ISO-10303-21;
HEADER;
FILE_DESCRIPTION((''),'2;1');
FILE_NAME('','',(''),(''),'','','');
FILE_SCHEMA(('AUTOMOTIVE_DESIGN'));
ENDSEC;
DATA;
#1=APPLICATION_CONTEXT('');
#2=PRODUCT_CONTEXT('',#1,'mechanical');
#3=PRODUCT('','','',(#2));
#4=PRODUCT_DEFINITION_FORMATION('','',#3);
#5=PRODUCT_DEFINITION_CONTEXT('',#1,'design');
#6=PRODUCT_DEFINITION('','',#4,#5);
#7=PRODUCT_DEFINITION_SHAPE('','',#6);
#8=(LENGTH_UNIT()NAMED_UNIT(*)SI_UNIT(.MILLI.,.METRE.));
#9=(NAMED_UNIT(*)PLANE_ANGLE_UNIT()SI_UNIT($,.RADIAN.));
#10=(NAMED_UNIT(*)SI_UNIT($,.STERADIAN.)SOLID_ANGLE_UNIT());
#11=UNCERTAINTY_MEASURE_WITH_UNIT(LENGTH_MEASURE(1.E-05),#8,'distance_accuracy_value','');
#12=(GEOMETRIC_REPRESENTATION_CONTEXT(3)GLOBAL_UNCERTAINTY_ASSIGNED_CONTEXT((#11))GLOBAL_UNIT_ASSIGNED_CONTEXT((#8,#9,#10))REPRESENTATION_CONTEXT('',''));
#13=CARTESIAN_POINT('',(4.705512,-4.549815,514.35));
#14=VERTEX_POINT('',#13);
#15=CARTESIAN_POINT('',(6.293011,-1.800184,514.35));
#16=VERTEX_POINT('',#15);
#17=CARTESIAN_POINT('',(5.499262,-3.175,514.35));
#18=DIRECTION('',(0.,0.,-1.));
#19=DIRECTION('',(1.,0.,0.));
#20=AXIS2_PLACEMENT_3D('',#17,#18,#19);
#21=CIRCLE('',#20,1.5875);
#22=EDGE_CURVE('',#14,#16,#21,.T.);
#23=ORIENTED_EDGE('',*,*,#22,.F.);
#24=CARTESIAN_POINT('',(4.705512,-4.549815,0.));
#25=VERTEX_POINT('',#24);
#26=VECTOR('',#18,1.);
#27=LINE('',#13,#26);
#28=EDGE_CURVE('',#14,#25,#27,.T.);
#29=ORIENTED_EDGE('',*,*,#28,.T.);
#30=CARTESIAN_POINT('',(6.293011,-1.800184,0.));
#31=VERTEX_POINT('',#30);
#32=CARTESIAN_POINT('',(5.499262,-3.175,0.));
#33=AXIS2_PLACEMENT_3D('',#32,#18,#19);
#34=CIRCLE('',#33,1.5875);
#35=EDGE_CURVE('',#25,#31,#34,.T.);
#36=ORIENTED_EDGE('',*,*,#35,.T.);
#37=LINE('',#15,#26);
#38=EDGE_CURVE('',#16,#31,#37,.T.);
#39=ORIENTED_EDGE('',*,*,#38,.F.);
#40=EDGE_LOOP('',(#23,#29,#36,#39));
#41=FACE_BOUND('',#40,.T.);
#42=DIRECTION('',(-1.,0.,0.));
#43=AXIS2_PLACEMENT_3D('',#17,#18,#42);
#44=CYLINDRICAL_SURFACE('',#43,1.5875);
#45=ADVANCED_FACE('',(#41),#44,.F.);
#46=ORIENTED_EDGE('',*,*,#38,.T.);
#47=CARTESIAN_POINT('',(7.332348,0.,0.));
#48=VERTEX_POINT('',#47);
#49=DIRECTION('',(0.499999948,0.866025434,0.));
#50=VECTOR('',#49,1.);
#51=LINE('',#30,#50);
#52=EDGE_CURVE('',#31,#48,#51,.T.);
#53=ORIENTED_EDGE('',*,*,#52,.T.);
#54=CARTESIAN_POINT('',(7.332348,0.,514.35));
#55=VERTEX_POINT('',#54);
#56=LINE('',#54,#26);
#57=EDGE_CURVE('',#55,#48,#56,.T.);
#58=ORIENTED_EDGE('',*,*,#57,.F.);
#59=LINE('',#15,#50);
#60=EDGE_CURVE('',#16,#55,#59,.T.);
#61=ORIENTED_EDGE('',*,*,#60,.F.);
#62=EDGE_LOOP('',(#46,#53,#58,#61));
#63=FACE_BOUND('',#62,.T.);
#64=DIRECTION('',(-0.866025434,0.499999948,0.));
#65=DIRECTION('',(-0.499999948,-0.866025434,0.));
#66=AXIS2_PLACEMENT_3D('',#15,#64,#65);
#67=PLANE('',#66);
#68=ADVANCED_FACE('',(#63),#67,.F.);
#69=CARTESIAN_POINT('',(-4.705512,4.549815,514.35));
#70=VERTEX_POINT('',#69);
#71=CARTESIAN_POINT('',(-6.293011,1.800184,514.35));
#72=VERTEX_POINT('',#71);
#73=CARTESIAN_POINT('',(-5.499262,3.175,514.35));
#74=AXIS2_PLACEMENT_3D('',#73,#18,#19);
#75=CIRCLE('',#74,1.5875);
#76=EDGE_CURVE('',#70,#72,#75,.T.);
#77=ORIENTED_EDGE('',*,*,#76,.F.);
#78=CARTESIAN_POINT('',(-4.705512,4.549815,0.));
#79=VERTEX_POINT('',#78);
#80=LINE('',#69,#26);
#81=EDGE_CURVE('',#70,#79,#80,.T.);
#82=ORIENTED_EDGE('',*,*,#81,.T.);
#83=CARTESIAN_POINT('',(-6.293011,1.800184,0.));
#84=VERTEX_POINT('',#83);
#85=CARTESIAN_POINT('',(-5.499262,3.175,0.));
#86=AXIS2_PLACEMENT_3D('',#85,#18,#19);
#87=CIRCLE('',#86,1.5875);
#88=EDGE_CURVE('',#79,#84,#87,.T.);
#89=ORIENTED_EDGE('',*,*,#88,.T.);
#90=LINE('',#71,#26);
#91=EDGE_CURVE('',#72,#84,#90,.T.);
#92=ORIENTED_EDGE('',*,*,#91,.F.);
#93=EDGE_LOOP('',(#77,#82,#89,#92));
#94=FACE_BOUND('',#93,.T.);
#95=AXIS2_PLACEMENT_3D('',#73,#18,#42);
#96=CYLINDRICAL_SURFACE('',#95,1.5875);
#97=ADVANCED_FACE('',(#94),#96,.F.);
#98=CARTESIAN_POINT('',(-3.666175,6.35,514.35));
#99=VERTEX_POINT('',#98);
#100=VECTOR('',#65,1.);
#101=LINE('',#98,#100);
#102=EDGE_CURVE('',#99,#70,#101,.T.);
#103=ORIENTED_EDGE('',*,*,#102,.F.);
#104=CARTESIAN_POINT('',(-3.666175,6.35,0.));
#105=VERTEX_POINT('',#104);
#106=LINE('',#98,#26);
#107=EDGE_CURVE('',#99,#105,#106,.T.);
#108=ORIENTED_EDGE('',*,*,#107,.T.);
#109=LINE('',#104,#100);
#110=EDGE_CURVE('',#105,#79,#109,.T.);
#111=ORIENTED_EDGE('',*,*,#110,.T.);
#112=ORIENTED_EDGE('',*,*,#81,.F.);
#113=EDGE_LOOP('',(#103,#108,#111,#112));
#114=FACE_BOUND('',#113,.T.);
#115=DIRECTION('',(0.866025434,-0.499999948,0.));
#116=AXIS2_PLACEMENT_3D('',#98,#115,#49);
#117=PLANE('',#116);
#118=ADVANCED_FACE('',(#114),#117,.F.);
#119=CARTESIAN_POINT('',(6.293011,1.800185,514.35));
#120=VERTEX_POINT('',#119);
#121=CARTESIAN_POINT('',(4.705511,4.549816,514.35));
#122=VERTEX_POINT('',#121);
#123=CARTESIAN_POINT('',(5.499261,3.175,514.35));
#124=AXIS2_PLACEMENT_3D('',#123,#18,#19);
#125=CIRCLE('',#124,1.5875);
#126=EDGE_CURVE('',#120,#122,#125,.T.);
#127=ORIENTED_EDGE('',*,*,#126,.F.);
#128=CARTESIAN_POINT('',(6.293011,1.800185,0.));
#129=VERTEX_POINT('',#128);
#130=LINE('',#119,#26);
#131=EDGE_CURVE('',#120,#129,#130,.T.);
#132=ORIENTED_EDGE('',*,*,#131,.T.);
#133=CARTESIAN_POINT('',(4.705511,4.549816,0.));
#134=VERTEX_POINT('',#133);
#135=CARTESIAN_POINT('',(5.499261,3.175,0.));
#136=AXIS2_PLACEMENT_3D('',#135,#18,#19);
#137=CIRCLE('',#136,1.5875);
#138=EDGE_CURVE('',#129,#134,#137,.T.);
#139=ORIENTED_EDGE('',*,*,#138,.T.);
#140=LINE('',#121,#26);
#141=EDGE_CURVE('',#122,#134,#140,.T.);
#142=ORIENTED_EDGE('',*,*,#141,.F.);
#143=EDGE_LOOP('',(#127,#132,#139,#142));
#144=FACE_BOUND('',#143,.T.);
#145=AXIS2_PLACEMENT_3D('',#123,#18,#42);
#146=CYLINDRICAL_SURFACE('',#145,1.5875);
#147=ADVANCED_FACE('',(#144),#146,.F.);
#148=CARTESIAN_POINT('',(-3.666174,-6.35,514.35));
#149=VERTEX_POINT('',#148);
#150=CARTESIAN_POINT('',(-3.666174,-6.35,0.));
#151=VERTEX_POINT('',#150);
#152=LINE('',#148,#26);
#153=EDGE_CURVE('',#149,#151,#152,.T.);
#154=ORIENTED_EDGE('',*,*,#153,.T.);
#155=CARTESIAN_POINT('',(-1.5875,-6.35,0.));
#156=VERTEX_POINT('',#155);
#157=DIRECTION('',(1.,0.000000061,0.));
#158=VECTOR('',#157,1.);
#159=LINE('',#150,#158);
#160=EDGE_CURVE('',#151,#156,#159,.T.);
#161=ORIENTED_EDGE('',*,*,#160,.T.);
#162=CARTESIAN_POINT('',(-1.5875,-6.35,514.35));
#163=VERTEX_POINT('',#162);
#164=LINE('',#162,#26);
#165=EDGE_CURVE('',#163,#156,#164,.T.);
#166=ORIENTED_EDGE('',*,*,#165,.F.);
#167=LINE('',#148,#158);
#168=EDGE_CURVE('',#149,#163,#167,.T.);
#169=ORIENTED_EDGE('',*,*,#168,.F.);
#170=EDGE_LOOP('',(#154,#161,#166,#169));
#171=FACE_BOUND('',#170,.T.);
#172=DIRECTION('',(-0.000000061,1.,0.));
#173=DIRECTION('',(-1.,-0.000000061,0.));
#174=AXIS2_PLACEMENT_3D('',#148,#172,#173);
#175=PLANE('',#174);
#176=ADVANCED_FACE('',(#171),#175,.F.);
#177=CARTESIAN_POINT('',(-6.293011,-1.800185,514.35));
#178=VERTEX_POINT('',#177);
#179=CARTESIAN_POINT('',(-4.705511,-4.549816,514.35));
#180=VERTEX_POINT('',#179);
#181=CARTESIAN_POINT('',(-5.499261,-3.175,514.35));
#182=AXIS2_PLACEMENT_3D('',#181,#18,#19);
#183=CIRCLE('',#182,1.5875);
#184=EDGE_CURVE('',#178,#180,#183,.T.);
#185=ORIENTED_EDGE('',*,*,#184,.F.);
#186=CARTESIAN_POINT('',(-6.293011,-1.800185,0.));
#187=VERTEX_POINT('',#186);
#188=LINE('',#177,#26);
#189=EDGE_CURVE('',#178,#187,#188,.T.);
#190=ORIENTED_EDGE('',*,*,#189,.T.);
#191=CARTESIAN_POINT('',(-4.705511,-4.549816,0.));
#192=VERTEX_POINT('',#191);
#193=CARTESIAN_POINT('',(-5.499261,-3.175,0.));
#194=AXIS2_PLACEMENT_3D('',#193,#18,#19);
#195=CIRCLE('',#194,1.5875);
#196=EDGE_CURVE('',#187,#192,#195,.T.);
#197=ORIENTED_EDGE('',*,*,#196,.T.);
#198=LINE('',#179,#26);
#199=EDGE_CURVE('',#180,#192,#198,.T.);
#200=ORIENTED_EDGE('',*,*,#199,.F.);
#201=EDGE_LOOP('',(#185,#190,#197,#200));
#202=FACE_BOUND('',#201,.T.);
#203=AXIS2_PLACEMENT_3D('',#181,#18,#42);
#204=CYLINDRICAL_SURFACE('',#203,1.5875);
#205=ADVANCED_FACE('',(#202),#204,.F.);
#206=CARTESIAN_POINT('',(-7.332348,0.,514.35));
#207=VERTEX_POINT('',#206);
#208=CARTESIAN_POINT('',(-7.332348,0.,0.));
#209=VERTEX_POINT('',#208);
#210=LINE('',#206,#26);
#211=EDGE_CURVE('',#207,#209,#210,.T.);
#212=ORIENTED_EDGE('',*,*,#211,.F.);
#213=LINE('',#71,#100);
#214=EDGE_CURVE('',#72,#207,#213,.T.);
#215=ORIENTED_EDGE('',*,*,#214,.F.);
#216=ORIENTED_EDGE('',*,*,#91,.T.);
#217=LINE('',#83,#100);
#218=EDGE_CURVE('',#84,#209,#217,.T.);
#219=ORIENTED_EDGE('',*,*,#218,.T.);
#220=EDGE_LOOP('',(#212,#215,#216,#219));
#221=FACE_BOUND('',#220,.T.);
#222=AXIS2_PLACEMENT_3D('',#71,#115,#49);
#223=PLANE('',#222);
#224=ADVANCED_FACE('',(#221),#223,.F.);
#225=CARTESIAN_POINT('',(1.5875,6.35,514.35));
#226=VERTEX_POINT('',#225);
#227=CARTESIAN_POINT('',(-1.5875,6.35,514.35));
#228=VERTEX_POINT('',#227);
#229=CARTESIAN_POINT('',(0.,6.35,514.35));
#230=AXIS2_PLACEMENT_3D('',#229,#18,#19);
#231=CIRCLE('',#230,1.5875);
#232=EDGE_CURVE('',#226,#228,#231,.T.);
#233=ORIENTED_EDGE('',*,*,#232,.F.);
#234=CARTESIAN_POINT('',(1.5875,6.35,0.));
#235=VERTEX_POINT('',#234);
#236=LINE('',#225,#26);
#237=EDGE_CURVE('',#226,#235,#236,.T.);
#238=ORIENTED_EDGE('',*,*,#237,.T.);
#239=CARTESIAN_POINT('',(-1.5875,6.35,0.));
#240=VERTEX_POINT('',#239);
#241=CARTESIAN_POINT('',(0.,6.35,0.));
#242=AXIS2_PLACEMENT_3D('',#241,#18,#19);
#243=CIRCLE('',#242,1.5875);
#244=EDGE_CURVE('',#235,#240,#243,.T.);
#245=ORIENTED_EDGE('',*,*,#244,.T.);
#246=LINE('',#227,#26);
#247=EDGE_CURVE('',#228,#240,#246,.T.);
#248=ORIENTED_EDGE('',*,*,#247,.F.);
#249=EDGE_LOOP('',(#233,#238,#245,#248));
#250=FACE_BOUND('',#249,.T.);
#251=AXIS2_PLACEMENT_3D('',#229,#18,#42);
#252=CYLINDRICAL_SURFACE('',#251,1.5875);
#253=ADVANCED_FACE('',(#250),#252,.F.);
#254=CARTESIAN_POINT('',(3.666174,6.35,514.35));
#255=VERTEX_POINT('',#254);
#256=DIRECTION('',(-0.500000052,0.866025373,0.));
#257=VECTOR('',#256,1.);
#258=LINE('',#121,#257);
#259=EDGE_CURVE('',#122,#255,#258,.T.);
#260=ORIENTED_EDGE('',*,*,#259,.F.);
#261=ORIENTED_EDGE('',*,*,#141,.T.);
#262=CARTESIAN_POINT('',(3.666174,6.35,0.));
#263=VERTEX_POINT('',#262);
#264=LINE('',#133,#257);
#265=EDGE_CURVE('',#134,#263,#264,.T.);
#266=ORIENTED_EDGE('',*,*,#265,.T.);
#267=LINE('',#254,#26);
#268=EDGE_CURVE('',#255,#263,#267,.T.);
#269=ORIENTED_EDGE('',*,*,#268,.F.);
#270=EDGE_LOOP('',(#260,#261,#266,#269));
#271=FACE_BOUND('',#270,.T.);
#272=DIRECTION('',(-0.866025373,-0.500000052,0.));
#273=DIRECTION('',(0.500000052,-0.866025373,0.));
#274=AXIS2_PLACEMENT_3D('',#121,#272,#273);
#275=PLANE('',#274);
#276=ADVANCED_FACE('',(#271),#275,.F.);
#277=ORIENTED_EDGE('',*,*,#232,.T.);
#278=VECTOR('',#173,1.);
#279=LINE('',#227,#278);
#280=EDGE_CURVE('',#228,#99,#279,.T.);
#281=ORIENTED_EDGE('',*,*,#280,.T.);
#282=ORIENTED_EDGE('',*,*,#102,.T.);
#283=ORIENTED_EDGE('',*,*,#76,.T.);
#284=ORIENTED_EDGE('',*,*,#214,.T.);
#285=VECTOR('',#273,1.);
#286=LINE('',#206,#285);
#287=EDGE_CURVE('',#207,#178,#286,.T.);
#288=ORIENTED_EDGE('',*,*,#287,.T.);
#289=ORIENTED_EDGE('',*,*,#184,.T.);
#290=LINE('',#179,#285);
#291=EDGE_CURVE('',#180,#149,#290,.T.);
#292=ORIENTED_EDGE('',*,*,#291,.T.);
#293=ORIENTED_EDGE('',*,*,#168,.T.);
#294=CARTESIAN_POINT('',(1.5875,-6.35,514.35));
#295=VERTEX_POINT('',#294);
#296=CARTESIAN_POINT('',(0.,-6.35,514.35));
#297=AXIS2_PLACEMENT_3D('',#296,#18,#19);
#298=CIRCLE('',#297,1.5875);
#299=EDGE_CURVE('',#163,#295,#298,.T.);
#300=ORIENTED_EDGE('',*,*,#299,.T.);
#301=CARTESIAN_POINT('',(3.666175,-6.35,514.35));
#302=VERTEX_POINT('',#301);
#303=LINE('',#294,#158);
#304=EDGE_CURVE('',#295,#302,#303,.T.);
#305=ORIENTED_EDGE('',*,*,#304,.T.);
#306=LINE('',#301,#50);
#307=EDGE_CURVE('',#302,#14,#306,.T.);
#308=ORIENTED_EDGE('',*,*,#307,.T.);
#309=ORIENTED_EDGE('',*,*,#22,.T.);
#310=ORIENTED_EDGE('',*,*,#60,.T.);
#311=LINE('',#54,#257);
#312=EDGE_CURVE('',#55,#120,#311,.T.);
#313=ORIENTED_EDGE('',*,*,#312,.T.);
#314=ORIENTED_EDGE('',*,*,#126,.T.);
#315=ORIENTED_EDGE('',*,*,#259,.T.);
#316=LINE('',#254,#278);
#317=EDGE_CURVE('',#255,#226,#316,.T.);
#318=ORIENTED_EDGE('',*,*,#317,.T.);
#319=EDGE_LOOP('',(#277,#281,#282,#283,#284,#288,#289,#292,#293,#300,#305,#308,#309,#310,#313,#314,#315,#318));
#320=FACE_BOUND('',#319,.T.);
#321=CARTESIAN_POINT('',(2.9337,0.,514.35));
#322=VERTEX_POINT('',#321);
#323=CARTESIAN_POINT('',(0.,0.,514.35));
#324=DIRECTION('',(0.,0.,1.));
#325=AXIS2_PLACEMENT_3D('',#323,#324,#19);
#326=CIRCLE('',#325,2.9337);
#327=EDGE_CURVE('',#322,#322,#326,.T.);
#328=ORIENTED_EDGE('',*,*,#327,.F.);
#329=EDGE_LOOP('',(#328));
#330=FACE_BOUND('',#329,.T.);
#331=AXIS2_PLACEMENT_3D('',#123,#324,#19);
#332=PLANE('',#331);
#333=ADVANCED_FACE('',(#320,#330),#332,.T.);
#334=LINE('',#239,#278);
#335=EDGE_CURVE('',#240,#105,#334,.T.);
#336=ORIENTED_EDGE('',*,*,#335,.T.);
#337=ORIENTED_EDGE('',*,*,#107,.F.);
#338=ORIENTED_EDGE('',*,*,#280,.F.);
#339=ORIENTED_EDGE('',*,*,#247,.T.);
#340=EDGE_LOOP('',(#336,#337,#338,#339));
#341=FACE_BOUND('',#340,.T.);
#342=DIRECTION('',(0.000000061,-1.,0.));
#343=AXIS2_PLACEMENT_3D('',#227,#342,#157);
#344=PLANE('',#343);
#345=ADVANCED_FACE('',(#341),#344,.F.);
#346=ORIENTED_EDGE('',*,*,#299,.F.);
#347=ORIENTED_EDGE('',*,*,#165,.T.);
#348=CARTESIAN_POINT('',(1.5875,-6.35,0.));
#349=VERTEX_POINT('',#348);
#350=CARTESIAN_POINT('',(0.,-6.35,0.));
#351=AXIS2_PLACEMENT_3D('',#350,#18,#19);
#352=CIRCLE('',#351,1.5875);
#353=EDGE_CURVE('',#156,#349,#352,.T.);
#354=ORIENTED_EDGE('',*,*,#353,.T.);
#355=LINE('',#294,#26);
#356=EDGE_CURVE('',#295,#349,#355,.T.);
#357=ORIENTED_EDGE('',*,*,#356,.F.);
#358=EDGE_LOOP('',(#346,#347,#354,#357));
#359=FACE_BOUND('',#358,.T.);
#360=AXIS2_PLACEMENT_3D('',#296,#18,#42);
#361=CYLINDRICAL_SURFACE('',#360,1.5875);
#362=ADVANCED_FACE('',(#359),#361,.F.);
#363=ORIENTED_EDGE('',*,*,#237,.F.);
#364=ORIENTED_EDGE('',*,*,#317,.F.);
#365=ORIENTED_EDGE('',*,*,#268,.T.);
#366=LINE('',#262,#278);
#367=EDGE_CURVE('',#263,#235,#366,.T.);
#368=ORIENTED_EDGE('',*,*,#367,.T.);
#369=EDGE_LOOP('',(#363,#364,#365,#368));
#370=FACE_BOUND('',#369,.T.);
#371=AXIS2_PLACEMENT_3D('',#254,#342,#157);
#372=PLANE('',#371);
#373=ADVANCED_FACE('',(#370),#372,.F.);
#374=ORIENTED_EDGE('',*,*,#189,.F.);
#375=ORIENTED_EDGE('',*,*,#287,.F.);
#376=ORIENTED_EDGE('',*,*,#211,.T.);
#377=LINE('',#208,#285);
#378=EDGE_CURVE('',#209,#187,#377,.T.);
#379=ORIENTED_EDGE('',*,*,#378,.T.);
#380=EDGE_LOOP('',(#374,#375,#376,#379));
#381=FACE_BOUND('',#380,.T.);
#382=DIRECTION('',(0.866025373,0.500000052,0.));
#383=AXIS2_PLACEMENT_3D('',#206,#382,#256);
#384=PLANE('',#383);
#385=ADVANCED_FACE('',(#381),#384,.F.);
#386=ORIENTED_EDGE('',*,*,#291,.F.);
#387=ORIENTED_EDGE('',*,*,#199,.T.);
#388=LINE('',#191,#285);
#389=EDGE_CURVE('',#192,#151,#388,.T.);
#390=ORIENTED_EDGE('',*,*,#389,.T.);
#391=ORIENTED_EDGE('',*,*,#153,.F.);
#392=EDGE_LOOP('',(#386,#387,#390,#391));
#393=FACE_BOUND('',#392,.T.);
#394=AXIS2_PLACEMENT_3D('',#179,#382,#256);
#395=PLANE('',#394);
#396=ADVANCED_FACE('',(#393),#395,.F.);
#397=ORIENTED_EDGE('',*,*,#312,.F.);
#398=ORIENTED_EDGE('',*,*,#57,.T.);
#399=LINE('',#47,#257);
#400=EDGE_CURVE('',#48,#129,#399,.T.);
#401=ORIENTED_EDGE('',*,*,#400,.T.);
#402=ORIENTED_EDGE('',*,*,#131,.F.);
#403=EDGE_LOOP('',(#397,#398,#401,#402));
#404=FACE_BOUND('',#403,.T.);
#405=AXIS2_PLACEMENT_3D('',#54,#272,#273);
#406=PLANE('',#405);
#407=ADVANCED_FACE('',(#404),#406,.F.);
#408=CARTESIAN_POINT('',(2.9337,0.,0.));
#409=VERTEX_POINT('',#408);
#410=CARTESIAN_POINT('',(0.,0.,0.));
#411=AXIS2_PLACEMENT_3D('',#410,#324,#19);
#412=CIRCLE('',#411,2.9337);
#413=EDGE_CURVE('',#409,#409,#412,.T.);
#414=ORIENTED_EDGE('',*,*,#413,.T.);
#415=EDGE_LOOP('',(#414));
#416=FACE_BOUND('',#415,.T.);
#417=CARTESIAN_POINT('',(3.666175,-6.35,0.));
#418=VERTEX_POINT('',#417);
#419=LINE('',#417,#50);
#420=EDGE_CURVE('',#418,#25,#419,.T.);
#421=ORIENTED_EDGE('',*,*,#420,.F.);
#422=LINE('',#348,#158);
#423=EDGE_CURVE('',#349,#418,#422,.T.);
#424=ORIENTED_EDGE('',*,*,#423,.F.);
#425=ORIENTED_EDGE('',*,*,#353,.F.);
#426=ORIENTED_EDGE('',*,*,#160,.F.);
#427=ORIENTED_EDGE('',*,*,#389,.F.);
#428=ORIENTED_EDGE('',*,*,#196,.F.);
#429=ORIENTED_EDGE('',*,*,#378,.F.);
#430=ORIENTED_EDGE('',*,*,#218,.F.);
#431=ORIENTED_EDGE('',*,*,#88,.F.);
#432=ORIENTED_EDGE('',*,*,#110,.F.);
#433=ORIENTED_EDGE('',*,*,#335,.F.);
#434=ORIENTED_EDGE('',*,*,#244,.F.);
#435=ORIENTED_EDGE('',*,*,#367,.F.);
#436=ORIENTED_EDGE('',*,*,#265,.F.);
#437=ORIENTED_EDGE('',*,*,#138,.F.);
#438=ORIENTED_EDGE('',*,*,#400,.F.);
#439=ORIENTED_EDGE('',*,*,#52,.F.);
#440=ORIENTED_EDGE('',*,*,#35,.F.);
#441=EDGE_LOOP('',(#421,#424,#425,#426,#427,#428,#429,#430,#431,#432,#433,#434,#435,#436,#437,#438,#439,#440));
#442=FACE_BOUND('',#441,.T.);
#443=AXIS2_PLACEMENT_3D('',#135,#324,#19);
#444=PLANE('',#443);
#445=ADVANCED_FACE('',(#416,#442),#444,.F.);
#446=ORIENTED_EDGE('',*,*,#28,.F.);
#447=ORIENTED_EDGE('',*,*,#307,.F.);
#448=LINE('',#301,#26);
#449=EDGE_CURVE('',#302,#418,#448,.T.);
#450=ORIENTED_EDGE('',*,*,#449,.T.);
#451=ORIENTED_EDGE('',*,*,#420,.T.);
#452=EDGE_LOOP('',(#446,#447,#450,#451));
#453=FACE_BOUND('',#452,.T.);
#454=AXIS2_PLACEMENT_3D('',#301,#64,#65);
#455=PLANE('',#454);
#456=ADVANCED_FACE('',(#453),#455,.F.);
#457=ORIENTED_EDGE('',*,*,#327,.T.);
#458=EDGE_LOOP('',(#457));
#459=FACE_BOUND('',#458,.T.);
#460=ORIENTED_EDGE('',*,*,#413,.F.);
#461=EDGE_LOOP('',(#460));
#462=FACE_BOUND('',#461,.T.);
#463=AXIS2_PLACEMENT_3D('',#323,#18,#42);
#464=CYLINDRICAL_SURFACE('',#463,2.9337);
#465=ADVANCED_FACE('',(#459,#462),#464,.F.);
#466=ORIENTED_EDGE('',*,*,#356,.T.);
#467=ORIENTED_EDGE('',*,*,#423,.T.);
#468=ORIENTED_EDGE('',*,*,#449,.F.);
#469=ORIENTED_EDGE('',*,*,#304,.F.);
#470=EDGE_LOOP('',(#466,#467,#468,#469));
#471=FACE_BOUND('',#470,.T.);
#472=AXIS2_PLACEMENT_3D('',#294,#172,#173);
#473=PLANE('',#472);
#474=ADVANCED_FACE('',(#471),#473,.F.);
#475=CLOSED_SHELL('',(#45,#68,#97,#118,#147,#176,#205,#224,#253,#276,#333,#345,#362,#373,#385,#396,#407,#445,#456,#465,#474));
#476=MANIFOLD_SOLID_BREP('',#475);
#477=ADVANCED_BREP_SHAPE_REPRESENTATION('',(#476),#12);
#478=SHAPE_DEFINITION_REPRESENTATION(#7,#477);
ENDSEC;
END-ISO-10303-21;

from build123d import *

# Parameters (mm, degrees)
SKETCH1_R           = 2.9337
BOSS_EXTRUDE1_DEPTH = 514.35


with BuildPart() as part:
    # Sketch1 → Boss-Extrude1 (new body)
    with BuildSketch(Plane.XY):
        with BuildLine():
            Line((-1.587500385, 6.349999904), (-3.666174594, 6.349999778))
            Line((-3.666174594, 6.349999778), (-4.70551159, 4.549815043))
            ThreePointArc((-4.70551159, 4.549815043), (-4.12444613, 2.38124975), (-6.293011423, 1.80018429))
            Line((-6.293011423, 1.80018429), (-7.332348419, -4.44e-07))
            Line((-7.332348419, -4.44e-07), (-6.293011205, -1.800185053))
            ThreePointArc((-6.293011205, -1.800185053), (-4.124445841, -2.38125025), (-4.705511038, -4.549815614))
            Line((-4.705511038, -4.549815614), (-3.666173825, -6.350000222))
            Line((-3.666173825, -6.350000222), (-1.587499615, -6.350000096))
            ThreePointArc((-1.587499615, -6.350000096), (2.89e-07, -4.7625), (1.587500385, -6.349999904))
            Line((1.587500385, -6.349999904), (3.666174594, -6.349999778))
            Line((3.666174594, -6.349999778), (4.70551159, -4.549815043))
            ThreePointArc((4.70551159, -4.549815043), (4.12444613, -2.38124975), (6.293011423, -1.80018429))
            Line((6.293011423, -1.80018429), (7.332348419, 4.44e-07))
            Line((7.332348419, 4.44e-07), (6.293011205, 1.800185053))
            ThreePointArc((6.293011205, 1.800185053), (4.124445841, 2.38125025), (4.705511038, 4.549815614))
            Line((4.705511038, 4.549815614), (3.666173825, 6.350000222))
            Line((3.666173825, 6.350000222), (1.587499615, 6.350000096))
            ThreePointArc((1.587499615, 6.350000096), (-2.89e-07, 4.7625), (-1.587500385, 6.349999904))
        make_face()
        Circle(SKETCH1_R, mode=Mode.SUBTRACT)
    extrude(amount=BOSS_EXTRUDE1_DEPTH)


solid = part.part
